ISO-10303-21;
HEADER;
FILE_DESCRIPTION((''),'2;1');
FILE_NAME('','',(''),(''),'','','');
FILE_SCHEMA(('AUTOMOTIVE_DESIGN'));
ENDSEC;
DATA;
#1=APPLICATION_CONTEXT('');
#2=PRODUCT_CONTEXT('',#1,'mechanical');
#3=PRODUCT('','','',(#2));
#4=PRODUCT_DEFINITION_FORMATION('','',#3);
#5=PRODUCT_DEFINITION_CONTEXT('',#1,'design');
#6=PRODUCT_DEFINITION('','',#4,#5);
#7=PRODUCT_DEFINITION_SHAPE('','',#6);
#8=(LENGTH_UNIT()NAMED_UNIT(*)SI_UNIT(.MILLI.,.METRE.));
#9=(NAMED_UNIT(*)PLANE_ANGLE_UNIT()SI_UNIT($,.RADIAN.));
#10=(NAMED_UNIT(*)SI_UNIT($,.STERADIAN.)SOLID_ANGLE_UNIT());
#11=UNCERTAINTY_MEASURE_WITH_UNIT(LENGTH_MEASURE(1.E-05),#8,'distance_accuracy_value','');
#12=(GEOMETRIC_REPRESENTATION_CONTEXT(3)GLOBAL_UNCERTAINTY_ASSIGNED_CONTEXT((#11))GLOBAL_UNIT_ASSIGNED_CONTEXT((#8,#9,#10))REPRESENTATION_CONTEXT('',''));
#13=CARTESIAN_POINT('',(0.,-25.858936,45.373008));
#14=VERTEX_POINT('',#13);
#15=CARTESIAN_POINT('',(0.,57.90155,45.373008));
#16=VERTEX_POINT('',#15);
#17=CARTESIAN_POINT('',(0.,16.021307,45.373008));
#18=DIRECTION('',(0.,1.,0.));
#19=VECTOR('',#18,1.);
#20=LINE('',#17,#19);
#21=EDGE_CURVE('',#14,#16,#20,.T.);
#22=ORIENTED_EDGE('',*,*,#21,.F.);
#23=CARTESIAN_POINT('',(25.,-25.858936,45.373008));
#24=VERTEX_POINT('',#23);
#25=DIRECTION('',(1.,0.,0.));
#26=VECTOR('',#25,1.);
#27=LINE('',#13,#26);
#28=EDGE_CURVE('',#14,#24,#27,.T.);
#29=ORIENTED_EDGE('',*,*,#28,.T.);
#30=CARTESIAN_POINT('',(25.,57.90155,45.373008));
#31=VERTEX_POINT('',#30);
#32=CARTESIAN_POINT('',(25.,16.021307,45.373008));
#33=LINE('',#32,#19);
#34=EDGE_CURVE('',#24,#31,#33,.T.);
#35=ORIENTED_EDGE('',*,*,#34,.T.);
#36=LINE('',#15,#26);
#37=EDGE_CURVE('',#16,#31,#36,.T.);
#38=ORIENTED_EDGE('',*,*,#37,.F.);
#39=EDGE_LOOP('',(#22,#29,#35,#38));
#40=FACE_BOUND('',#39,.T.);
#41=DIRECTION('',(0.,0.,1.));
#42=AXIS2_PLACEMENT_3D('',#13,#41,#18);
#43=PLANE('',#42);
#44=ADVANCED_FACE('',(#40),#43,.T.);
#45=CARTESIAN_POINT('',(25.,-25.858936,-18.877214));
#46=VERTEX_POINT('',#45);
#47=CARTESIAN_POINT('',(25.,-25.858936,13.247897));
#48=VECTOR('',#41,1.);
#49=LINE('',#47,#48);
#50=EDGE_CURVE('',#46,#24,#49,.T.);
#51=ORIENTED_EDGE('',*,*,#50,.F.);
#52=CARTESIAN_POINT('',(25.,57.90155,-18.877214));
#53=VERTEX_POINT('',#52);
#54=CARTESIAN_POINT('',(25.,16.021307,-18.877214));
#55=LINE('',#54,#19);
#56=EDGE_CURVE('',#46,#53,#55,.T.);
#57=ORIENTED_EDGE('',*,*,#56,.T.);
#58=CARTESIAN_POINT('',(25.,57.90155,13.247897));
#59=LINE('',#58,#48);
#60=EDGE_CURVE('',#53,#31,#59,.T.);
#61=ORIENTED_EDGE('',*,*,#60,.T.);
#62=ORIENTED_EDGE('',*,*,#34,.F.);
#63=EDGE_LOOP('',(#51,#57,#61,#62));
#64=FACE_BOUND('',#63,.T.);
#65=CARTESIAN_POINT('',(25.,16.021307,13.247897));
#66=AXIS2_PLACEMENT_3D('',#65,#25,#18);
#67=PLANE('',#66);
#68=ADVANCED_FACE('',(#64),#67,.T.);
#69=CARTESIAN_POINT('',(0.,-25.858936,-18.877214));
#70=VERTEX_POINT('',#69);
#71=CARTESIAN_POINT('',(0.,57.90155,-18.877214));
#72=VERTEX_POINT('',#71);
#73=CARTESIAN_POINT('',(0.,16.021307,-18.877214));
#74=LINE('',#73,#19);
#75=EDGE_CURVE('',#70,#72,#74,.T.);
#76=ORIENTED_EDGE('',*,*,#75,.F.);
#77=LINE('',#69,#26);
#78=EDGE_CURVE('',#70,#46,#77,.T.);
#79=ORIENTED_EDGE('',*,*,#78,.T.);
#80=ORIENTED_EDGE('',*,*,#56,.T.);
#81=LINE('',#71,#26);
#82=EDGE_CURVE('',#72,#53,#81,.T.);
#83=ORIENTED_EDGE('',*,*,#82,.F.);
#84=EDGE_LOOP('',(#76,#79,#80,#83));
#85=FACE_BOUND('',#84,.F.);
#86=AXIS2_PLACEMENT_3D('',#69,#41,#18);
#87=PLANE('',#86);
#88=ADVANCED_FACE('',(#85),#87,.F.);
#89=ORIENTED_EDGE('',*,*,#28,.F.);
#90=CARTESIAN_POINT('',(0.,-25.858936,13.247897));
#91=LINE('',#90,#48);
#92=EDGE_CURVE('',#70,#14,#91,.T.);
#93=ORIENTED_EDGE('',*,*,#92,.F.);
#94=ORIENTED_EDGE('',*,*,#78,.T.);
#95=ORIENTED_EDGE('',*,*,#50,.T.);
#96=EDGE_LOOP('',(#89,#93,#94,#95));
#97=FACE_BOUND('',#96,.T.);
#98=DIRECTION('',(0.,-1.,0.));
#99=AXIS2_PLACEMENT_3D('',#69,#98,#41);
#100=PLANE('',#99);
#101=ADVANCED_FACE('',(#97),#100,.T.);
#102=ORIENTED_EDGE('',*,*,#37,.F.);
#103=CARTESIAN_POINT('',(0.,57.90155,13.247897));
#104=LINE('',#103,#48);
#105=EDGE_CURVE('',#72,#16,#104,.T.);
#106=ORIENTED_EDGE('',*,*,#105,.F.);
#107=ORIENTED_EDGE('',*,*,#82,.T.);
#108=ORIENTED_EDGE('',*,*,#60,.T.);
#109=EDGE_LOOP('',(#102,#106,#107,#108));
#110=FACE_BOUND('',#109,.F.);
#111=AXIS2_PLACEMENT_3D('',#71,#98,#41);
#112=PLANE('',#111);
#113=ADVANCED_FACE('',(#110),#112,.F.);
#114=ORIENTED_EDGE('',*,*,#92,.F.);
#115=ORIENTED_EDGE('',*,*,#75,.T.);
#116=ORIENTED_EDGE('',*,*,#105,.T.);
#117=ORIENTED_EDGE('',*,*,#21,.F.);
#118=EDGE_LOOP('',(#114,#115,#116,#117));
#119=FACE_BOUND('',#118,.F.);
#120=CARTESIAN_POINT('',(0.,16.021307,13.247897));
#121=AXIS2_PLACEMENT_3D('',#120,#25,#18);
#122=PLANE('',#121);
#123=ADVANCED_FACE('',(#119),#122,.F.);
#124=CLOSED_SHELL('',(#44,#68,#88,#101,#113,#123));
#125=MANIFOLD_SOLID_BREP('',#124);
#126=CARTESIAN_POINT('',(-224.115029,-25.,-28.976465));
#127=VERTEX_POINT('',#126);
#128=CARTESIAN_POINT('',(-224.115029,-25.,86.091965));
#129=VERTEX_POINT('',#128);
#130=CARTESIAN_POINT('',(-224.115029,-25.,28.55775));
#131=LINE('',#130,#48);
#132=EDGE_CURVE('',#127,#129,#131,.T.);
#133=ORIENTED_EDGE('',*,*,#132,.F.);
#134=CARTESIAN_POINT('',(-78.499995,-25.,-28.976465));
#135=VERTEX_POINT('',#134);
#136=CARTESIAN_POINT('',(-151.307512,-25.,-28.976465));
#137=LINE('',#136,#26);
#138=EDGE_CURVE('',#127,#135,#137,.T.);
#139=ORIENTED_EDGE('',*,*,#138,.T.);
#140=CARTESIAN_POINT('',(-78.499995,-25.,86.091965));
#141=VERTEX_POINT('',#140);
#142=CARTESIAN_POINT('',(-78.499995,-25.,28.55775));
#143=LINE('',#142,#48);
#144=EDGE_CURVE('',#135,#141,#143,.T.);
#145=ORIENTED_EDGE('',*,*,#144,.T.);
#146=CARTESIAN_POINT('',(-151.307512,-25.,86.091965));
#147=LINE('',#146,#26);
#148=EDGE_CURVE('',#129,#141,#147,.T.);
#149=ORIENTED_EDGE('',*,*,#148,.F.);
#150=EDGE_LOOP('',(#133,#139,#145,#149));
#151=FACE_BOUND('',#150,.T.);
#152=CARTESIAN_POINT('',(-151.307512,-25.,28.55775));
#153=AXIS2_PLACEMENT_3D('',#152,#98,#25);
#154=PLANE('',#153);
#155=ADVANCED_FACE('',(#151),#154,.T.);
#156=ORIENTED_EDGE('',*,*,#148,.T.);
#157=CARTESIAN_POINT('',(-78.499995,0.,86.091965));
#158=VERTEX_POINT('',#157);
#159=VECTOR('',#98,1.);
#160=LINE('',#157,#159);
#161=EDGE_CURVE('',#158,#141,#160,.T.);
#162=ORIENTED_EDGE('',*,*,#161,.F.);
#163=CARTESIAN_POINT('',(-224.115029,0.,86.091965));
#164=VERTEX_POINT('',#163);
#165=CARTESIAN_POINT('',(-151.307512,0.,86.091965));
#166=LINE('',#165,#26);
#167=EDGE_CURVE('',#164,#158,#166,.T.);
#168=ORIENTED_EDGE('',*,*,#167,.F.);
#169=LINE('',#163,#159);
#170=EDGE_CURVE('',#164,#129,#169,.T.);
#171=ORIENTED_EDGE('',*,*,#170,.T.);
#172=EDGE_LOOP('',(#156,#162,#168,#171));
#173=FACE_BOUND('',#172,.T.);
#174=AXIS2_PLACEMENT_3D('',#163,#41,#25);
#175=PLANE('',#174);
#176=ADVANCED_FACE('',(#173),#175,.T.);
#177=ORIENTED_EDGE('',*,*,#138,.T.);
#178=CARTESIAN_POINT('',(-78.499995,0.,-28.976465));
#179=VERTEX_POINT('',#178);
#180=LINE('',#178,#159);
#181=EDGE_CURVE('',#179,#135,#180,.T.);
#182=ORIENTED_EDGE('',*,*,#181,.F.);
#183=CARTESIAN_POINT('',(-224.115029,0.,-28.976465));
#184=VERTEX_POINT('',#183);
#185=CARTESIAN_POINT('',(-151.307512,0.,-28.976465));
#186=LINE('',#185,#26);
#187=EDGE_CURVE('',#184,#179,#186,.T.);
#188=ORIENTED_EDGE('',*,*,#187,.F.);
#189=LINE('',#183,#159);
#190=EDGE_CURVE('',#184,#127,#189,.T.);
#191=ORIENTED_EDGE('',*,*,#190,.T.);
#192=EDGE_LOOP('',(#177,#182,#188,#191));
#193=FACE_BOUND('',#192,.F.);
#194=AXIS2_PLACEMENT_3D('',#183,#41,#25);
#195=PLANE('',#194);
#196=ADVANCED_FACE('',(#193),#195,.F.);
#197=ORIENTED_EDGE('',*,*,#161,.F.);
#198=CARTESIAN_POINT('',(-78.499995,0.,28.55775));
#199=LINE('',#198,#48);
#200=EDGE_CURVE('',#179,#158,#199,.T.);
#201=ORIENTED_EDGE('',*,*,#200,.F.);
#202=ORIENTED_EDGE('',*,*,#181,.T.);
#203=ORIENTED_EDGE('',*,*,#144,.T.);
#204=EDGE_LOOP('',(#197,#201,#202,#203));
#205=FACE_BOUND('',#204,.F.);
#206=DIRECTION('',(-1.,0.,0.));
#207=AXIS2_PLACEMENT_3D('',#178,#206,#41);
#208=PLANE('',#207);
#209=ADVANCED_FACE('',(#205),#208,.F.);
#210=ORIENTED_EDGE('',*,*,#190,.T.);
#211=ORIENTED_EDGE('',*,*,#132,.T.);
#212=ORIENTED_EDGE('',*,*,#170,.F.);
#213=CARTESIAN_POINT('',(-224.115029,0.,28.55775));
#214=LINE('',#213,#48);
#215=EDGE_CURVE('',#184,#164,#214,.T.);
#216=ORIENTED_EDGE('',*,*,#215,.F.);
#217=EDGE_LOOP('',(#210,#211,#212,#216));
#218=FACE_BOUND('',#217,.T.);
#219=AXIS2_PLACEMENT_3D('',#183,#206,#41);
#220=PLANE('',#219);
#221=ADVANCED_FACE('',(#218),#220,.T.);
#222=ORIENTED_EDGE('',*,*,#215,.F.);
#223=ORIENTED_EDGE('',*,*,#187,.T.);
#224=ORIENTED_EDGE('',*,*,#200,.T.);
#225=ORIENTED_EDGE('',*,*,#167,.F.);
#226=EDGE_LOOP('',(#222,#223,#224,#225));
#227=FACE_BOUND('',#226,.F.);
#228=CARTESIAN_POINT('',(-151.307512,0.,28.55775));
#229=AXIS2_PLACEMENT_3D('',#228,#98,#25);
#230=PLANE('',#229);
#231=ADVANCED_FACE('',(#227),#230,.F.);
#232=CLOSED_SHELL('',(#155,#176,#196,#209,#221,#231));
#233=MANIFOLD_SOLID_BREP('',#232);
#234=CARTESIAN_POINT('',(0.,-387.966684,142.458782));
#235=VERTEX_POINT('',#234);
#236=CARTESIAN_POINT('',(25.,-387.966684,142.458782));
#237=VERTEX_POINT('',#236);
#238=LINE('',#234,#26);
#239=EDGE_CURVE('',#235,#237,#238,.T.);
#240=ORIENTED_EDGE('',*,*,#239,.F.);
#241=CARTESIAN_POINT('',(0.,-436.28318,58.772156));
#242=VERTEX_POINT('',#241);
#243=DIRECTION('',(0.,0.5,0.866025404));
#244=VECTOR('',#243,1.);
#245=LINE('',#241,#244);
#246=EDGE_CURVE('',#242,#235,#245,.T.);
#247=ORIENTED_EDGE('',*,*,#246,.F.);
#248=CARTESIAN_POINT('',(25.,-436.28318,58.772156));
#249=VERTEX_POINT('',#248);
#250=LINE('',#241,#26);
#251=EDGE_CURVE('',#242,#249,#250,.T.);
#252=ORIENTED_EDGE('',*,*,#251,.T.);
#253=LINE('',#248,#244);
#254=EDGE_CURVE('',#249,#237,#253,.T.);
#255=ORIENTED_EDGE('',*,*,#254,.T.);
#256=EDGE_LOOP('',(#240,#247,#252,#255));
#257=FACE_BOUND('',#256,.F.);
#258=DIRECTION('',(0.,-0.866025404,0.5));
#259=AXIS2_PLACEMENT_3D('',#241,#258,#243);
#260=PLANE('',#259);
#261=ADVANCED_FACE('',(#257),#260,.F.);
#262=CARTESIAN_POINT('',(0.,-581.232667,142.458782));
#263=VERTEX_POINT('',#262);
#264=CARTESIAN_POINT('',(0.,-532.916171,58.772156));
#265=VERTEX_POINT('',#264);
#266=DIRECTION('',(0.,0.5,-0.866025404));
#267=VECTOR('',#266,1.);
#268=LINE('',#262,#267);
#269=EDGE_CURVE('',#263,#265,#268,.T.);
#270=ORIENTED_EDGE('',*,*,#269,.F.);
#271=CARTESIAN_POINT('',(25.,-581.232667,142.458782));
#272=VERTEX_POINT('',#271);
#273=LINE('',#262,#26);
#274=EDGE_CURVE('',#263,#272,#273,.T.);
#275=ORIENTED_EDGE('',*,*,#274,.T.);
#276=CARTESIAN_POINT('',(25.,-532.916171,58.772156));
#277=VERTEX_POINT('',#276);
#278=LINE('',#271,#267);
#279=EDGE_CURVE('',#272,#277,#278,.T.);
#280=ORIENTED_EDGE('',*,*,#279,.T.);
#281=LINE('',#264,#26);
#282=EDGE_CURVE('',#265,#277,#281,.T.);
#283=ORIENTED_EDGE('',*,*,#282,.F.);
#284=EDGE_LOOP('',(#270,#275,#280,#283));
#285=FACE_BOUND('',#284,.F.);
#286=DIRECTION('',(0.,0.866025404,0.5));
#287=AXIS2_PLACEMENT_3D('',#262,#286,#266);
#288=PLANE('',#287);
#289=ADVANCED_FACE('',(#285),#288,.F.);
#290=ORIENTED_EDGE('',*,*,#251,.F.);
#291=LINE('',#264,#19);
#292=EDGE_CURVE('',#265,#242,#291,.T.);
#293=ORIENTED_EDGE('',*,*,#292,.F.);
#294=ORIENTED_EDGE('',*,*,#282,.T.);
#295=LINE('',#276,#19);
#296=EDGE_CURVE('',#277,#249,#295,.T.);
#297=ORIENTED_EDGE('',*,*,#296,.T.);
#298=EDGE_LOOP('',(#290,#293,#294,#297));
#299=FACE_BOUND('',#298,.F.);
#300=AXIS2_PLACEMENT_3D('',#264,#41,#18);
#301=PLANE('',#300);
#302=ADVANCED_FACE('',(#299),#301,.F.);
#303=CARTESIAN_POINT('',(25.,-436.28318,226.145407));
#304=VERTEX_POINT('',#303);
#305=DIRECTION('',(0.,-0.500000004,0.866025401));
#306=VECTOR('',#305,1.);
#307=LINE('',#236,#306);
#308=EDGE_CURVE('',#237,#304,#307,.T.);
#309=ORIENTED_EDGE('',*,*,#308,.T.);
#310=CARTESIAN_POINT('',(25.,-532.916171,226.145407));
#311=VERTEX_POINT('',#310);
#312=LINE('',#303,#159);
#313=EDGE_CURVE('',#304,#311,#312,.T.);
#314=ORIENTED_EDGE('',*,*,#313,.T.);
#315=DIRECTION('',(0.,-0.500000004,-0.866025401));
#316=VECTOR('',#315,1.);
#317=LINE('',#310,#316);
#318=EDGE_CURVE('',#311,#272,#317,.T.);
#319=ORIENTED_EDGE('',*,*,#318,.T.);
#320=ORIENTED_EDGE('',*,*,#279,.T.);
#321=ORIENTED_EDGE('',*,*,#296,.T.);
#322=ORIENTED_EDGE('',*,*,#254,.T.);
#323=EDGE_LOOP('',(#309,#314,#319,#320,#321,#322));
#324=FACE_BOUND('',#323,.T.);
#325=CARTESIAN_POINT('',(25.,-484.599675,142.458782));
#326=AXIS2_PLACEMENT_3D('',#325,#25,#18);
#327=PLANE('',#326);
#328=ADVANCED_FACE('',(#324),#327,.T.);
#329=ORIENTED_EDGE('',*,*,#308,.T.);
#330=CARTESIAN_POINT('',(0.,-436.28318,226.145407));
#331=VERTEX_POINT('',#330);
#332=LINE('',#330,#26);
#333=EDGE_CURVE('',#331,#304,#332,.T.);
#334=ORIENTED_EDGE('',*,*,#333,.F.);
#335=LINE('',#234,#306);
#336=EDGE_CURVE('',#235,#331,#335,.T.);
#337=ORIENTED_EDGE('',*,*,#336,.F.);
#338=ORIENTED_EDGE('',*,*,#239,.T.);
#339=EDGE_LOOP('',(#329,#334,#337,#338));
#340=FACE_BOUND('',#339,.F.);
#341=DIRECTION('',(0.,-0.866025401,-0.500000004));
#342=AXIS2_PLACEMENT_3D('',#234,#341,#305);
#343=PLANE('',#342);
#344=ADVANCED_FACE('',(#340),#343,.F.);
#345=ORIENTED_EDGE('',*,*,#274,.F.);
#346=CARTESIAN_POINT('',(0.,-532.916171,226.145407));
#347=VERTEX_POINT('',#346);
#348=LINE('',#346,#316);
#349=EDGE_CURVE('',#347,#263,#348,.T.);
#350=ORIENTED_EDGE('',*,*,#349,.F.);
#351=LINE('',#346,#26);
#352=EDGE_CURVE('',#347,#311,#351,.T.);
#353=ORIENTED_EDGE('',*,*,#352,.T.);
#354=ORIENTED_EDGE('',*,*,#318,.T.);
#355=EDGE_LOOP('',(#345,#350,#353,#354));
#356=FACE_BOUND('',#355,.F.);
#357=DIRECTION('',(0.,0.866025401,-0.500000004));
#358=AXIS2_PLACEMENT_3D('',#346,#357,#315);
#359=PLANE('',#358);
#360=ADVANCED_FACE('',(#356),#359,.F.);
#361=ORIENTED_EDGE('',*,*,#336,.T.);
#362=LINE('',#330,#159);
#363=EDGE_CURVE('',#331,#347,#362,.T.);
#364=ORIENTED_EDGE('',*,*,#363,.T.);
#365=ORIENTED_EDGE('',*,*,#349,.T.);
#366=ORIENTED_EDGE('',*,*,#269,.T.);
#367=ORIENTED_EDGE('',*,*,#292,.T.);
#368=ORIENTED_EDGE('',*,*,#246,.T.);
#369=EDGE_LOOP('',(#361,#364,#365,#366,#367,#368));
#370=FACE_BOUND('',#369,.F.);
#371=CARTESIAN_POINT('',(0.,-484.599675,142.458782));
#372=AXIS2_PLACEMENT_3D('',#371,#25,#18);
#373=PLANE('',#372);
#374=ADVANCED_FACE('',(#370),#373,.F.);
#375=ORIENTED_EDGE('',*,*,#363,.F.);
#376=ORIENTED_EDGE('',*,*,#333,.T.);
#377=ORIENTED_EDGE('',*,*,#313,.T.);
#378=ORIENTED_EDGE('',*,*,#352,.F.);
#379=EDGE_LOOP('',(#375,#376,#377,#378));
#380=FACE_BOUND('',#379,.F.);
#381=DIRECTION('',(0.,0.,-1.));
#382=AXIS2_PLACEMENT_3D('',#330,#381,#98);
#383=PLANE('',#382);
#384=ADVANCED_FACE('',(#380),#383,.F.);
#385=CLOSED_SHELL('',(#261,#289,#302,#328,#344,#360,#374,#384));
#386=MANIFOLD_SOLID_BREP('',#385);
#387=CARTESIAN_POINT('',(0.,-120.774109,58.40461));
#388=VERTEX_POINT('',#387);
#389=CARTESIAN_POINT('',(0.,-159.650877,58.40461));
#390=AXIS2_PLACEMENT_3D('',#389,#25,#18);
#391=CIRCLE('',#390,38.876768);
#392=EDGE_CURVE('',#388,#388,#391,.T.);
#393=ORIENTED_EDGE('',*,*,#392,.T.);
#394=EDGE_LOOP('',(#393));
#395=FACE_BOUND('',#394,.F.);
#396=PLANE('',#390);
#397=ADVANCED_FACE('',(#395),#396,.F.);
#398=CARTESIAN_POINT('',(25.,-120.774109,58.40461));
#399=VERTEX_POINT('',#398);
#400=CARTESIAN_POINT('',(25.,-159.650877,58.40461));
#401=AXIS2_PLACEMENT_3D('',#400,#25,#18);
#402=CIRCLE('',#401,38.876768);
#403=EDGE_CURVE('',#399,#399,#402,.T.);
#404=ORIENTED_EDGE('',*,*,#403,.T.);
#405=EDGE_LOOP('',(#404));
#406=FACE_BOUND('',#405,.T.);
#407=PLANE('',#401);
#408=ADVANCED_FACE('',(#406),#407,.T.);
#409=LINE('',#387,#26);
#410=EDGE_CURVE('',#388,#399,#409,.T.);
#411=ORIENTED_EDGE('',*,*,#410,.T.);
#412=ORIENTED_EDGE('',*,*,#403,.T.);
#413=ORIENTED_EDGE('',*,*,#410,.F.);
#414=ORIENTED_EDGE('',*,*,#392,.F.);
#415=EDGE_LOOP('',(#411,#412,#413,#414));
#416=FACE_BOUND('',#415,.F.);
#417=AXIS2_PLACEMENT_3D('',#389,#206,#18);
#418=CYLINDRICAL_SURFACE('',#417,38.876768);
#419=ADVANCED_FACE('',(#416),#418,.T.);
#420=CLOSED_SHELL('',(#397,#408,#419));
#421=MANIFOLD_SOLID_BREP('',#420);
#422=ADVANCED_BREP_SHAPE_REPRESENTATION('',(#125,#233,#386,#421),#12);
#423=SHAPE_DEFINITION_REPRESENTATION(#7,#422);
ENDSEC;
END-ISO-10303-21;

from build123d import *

# Parameters (mm, degrees)
F0_W     = 83.760487
F0_H     = 64.250222
F0_R     = 38.876768
F1_DEPTH = 25
F2_W     = 145.615034
F2_H     = 115.06843
F3_DEPTH = 25


with BuildPart() as f1:
    # F0 (on Right) → F1 (new body)
    with BuildSketch(Plane.YZ):
        with Locations((16.021307, 13.247897)):
            Rectangle(F0_W, F0_H)
        with Locations((-159.650877, 58.40461)):
            Circle(F0_R)
        Polygon((-532.916171, 58.772156), (-436.28318, 58.772156), (-387.966684, 142.458782), (-436.28318, 226.145407), (-532.916171, 226.145407), (-581.232667, 142.458782), align=None)
    extrude(amount=F1_DEPTH)


with BuildPart() as f3:
    # F2 (on Front) → F3 (new body)
    with BuildSketch(Plane.XZ):
        with Locations((-151.307512, 28.55775)):
            Rectangle(F2_W, F2_H)
    extrude(amount=F3_DEPTH)


solid = Compound([f1.part, f3.part])
